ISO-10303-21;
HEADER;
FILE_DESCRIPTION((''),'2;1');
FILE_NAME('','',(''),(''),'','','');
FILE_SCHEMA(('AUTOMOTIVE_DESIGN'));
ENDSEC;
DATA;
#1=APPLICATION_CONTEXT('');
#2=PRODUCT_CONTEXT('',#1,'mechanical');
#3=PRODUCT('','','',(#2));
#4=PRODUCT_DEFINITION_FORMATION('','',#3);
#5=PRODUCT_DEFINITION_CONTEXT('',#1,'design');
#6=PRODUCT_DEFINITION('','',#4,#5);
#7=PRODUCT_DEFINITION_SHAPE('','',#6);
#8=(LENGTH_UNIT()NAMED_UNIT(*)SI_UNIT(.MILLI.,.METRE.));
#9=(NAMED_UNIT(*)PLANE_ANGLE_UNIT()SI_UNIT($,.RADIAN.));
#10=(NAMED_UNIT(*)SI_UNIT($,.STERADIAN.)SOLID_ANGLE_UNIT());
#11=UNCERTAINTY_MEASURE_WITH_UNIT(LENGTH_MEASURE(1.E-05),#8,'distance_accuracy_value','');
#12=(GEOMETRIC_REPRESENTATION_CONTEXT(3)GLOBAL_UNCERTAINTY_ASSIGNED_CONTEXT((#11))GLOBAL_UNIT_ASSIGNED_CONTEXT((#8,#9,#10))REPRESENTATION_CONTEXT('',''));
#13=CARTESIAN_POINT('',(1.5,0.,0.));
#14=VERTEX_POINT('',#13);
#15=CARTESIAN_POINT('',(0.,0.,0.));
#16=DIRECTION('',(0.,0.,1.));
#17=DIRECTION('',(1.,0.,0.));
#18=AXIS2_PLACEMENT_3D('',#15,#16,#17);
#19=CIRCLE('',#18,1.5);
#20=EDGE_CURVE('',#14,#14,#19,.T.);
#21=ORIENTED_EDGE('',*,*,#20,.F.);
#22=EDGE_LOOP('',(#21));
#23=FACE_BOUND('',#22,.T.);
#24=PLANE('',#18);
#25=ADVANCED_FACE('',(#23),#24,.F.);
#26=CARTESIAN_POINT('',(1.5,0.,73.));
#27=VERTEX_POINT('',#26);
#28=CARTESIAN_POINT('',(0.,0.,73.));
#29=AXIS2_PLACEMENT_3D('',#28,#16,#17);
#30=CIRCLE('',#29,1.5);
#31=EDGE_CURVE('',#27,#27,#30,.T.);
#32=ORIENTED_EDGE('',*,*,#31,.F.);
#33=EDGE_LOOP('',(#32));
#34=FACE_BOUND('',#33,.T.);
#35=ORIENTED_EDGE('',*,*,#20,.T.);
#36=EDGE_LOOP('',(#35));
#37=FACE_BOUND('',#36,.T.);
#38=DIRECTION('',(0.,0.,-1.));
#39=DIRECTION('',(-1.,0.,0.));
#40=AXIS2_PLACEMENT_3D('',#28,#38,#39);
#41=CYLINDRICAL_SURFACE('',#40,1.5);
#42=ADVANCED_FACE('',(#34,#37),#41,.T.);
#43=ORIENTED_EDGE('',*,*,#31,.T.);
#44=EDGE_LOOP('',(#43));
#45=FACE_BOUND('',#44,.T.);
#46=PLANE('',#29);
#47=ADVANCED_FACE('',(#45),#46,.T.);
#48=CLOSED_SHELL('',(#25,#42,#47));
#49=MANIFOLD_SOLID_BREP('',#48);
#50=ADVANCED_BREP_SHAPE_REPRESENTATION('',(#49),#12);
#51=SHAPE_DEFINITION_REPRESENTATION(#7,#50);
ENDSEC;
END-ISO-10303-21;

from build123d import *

# Parameters (mm, degrees)
ESBO_O1_R                = 1.5
RESSALTO_EXTRUS_O1_DEPTH = 73


with BuildPart() as part:
    # Esboço1 → Ressalto-extrusão1 (new body)
    with BuildSketch(Plane.XY):
        Circle(ESBO_O1_R)
    extrude(amount=RESSALTO_EXTRUS_O1_DEPTH)


solid = part.part
